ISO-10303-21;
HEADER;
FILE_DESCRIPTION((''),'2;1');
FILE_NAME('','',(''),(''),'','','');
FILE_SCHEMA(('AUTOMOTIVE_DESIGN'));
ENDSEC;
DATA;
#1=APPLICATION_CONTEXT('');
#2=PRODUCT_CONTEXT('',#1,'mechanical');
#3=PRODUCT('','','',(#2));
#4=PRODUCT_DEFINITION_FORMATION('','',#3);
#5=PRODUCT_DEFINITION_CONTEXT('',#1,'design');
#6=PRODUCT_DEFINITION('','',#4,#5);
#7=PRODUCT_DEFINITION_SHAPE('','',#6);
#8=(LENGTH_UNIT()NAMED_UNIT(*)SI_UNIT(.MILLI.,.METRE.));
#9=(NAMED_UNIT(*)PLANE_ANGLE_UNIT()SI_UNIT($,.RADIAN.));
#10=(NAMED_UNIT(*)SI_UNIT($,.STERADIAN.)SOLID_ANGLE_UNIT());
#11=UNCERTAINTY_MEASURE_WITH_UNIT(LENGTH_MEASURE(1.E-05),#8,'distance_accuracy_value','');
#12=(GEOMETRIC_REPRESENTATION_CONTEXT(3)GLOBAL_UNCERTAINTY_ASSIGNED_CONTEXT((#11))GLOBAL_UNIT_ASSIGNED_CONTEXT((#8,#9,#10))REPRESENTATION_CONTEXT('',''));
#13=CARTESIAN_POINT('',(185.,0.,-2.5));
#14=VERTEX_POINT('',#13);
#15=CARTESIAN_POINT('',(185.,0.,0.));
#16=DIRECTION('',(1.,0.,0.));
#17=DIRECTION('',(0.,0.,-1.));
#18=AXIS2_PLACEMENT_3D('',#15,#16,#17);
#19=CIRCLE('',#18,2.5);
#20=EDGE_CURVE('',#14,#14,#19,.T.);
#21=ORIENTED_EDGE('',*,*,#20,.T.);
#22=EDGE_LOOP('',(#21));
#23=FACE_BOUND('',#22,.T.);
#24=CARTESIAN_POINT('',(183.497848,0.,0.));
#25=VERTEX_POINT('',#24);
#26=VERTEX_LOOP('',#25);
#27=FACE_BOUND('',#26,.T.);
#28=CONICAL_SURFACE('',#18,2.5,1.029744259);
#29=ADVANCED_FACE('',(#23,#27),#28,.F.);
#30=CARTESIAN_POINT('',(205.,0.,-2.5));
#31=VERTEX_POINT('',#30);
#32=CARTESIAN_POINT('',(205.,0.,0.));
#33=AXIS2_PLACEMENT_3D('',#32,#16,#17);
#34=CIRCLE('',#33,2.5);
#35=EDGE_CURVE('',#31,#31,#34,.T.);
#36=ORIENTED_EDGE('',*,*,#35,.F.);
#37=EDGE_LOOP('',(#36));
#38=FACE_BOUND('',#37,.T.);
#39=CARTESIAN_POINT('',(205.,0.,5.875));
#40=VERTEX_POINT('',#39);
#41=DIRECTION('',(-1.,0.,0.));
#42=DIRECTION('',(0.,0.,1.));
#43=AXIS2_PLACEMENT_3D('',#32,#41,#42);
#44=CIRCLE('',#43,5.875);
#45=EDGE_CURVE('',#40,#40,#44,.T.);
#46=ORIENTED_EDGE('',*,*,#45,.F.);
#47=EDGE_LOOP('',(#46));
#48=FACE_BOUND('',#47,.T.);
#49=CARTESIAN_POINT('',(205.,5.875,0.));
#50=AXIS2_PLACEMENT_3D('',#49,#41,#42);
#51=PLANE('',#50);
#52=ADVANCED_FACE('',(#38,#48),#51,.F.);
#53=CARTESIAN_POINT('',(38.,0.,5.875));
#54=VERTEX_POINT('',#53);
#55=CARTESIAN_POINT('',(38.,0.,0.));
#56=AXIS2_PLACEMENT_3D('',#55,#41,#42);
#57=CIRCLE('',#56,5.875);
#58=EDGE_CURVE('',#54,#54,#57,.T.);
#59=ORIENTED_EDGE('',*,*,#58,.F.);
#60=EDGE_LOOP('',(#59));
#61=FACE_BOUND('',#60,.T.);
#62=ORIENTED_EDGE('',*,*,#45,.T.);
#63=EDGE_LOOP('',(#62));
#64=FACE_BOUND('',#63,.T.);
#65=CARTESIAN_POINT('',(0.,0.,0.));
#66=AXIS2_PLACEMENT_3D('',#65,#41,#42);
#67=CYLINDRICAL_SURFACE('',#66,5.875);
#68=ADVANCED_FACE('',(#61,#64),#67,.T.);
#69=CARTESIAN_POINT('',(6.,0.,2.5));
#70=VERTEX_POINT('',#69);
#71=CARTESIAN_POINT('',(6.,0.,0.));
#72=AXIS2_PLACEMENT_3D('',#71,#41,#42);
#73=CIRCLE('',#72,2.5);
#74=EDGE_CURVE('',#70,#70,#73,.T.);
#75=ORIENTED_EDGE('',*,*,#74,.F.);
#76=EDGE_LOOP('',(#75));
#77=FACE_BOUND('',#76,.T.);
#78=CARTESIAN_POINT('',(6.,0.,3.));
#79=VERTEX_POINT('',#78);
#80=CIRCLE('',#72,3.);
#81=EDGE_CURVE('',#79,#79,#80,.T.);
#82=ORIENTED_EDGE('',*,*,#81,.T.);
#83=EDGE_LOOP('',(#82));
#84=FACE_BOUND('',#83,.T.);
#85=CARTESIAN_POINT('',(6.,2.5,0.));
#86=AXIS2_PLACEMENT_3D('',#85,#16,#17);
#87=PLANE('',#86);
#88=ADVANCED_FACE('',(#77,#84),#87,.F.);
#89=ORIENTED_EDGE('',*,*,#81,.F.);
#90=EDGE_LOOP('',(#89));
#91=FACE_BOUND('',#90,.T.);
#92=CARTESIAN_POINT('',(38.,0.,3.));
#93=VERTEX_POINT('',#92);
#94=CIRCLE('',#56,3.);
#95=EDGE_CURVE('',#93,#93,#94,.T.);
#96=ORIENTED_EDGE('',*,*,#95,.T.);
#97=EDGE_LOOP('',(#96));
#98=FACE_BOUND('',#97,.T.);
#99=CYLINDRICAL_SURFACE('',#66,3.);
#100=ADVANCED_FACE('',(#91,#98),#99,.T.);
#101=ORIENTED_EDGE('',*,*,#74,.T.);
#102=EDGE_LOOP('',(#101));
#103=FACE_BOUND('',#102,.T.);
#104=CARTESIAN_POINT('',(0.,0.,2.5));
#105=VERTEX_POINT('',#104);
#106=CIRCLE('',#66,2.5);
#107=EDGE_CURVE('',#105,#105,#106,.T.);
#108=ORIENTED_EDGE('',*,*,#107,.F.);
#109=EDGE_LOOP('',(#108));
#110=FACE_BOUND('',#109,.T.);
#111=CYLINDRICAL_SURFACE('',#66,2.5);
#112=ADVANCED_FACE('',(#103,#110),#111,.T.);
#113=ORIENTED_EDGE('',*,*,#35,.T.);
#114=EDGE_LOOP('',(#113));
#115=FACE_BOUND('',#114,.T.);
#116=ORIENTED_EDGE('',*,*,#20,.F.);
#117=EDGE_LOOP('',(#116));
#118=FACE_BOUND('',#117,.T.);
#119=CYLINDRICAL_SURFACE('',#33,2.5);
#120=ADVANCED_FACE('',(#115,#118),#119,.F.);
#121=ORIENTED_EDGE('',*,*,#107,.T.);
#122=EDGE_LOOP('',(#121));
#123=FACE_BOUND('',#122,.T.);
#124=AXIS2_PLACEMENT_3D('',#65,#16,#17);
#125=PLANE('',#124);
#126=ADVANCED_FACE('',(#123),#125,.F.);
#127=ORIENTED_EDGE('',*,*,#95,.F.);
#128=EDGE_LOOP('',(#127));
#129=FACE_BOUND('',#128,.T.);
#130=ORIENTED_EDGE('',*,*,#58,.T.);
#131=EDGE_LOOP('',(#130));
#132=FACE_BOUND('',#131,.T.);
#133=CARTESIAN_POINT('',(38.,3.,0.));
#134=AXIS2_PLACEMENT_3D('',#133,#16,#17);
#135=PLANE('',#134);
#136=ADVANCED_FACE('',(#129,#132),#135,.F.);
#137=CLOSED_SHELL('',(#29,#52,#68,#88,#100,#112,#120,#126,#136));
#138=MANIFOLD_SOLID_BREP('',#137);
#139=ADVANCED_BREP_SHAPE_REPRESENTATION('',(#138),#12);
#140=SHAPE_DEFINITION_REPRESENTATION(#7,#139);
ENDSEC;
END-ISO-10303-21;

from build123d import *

# Parameters (mm, degrees)
PER_AGE1_D     = 5
PER_AGE1_DEPTH = 20
PER_AGE1_TIP   = 1.502151548


with BuildPart() as part:
    # Esquisse1 → Base-Révolution (revolve)
    with BuildSketch(Plane.XY, mode=Mode.PRIVATE) as base_r_volution_sk:
        Polygon((0, 0), (0, 2.5), (6, 2.5), (6, 3), (38, 3), (38, 5.875), (205, 5.875), (205, 0), align=None)
    revolve(base_r_volution_sk.sketch.rotate(Axis((0, 0, 0), (1, 0, 0)), 90), axis=Axis((0, 0, 0), (1, 0, 0)))

    # Perçage1
    with Locations(Plane(origin=(205, 0, 0), x_dir=(0, 0, -1), z_dir=(1, 0, 0))):
        with Locations((0, 0)):
            Hole(PER_AGE1_D / 2, depth=PER_AGE1_DEPTH)
            with Locations((0, 0, -(PER_AGE1_DEPTH + PER_AGE1_TIP / 2))):  # 118° drill point
                Cone(0, PER_AGE1_D / 2, PER_AGE1_TIP, mode=Mode.SUBTRACT)


solid = part.part
